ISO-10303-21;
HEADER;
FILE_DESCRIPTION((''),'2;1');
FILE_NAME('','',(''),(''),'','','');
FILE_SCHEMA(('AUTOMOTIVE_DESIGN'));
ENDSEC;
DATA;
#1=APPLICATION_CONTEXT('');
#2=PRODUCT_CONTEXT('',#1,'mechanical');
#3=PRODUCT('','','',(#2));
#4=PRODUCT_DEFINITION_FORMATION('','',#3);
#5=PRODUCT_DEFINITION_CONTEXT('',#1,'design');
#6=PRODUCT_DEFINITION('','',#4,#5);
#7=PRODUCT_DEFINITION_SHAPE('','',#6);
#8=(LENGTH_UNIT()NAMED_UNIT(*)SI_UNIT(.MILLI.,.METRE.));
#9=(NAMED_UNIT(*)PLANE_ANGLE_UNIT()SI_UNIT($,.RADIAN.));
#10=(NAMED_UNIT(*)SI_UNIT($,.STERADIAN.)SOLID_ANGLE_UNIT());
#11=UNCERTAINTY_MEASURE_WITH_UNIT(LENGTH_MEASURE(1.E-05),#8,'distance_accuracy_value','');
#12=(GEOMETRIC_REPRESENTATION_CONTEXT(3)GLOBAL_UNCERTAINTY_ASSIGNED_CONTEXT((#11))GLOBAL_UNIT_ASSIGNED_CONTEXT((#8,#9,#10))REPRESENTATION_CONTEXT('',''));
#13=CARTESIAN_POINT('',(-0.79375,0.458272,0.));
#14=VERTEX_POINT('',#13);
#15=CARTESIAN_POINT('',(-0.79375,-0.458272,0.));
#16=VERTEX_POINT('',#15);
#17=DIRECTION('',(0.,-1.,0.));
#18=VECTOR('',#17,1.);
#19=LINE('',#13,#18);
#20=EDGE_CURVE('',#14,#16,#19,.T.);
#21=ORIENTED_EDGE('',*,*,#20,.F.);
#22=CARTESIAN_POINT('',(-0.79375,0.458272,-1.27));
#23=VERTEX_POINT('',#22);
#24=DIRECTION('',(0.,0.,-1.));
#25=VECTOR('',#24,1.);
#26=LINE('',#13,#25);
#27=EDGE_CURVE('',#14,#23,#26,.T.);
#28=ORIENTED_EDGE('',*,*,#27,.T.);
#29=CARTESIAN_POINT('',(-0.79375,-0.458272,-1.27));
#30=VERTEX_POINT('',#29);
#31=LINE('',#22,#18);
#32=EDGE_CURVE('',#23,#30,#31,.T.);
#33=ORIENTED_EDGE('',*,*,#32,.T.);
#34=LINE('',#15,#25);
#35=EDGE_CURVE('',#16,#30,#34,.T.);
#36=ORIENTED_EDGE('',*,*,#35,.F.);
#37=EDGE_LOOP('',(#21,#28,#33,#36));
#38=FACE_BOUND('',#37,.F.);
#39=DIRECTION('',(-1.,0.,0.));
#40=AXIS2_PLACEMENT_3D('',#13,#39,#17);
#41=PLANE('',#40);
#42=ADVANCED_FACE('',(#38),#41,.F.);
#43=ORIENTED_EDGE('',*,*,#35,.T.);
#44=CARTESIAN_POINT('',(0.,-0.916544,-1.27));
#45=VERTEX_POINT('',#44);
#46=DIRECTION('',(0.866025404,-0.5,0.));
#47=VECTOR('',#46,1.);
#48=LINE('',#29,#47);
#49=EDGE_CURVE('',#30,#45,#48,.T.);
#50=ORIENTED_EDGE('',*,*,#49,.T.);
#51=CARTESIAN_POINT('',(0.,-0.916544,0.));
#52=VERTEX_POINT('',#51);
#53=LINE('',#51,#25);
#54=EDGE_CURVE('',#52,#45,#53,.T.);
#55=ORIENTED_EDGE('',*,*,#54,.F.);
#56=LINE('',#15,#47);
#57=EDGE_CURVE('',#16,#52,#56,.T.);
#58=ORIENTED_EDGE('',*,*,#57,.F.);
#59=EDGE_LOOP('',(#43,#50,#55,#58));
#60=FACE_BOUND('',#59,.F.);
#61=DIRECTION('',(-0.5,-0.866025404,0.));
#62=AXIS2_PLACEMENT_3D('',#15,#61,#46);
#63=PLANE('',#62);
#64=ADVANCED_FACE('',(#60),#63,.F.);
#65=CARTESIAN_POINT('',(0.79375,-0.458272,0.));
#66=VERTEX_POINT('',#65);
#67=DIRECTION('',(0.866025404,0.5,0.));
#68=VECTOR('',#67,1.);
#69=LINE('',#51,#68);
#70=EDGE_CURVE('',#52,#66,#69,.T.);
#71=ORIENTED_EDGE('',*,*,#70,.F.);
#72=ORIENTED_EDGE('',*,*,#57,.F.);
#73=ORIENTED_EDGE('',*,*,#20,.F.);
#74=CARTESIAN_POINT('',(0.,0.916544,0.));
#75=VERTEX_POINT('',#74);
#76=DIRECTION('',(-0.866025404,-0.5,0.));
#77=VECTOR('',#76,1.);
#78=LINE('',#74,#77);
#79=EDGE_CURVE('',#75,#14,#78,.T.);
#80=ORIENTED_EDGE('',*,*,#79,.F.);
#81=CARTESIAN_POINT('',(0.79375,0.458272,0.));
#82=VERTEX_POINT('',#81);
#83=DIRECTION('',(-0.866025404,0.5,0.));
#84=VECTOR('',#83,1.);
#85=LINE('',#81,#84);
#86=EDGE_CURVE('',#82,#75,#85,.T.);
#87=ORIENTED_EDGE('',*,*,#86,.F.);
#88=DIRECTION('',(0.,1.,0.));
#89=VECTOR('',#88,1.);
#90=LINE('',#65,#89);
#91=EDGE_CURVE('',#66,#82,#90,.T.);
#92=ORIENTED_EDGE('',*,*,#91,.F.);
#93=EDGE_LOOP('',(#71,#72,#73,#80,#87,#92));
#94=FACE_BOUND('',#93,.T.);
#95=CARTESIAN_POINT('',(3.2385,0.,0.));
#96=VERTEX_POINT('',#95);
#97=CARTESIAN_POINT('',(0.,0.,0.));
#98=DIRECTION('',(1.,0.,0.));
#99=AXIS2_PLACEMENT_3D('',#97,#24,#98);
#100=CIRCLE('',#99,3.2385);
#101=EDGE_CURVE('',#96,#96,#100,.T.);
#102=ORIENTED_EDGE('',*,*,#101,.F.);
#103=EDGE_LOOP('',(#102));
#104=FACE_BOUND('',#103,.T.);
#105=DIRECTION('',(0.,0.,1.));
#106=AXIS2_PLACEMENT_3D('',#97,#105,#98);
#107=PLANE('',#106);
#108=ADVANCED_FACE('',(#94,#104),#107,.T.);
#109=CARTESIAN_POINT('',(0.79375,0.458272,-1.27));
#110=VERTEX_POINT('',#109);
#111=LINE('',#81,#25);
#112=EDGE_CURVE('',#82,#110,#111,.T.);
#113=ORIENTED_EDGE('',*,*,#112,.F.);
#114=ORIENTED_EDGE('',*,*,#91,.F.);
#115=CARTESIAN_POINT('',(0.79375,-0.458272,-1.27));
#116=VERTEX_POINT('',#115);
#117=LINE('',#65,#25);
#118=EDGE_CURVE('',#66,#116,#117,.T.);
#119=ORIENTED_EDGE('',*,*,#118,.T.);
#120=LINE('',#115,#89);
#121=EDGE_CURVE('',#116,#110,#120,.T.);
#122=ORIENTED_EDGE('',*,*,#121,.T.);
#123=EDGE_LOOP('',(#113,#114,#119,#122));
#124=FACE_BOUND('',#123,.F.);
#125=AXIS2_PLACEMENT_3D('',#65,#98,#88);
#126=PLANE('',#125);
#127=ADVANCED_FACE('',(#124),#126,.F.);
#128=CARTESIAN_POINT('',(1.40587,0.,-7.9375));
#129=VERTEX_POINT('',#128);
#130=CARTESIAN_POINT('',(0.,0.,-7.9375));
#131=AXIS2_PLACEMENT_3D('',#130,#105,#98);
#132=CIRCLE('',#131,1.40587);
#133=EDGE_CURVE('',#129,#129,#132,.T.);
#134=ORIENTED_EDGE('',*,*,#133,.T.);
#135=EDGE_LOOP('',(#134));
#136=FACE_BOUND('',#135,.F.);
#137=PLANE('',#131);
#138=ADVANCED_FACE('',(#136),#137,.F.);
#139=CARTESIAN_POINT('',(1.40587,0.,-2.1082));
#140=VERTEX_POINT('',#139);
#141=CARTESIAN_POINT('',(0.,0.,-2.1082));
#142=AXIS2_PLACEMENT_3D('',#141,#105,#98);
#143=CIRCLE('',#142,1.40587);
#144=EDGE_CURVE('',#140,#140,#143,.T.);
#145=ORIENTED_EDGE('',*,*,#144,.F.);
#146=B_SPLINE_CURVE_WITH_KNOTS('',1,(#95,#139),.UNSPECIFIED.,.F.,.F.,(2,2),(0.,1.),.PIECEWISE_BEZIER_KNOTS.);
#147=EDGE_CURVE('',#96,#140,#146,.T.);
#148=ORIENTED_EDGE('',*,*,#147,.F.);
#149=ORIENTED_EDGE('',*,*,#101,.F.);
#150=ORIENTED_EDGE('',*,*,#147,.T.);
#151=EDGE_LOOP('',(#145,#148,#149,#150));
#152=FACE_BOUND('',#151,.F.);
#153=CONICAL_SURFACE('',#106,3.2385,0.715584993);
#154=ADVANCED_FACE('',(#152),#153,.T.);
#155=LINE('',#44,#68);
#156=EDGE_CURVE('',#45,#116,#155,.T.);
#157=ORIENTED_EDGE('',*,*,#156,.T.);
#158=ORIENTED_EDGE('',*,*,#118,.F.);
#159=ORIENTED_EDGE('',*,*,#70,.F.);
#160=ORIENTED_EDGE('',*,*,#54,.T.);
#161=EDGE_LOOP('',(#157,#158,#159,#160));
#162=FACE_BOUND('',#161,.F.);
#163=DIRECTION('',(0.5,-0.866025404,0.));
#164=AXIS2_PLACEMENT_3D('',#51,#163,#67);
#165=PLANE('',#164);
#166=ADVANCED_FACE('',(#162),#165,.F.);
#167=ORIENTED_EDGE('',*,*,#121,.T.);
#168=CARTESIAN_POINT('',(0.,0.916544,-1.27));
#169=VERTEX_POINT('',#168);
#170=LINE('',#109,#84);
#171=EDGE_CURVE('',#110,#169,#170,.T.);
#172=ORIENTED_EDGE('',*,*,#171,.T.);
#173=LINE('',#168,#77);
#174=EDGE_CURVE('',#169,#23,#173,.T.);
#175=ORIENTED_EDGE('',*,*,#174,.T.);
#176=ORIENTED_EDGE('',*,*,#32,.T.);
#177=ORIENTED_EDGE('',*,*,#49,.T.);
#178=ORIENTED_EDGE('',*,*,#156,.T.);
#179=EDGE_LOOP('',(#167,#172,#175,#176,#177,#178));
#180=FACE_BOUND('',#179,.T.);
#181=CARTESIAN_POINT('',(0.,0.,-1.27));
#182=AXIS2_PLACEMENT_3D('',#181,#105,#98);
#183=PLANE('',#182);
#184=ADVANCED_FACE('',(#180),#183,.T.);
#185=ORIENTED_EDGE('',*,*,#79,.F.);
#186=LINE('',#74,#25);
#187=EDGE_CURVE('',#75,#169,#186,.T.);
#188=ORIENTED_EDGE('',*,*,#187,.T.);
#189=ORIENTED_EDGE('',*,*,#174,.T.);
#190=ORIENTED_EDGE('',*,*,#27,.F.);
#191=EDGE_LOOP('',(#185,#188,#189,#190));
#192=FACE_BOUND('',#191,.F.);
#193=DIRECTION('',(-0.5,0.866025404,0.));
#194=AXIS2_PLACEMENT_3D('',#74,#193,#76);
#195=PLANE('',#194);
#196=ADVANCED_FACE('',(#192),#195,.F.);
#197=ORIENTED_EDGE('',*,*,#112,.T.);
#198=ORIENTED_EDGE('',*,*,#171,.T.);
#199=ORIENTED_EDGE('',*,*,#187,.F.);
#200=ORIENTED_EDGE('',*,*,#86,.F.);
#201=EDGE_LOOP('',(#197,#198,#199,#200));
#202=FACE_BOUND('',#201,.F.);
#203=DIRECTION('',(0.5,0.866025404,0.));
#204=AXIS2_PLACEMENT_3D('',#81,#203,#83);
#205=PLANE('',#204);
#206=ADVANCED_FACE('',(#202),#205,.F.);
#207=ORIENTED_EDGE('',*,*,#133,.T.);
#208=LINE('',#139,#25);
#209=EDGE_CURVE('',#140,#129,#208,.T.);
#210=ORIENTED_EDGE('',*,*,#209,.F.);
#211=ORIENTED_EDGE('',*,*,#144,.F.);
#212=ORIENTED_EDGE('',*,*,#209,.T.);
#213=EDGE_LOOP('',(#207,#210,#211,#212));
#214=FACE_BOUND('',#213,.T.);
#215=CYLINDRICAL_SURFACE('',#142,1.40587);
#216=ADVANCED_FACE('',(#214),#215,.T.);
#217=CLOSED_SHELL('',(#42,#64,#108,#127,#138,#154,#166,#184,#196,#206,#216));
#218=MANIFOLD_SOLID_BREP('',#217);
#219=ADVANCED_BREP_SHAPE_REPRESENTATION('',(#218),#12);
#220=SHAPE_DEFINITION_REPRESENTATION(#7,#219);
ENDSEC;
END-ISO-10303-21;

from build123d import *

# Parameters (mm, degrees)
F0_R     = 3.2385
F1_DEPTH = 2.1082
F1_TAPER = 41
F3_DEPTH = 5.8293
F5_DEPTH = 1.27


with BuildPart() as f1:
    # F0 (on Top) → F1 (new body)
    with BuildSketch(Plane.XY):
        Circle(F0_R)
    extrude(amount=-F1_DEPTH, taper=F1_TAPER)

    # F3 (add, through all): a face of the model
    f3_faces = [f1.faces().sort_by_distance(p)[0] for p in [
        (0, 0, -2.1082),
    ]]
    extrude(f3_faces, amount=F3_DEPTH)

    # F4 (on face) → F5 (cut)
    with BuildSketch(Plane.XY):
        Polygon((0.79375, -0.4582717762), (0.79375, 0.4582717762), (0, 0.9165435523), (-0.79375, 0.4582717762), (-0.79375, -0.4582717762), (0, -0.9165435523), align=None)
    extrude(amount=-F5_DEPTH, mode=Mode.SUBTRACT)


solid = f1.part
